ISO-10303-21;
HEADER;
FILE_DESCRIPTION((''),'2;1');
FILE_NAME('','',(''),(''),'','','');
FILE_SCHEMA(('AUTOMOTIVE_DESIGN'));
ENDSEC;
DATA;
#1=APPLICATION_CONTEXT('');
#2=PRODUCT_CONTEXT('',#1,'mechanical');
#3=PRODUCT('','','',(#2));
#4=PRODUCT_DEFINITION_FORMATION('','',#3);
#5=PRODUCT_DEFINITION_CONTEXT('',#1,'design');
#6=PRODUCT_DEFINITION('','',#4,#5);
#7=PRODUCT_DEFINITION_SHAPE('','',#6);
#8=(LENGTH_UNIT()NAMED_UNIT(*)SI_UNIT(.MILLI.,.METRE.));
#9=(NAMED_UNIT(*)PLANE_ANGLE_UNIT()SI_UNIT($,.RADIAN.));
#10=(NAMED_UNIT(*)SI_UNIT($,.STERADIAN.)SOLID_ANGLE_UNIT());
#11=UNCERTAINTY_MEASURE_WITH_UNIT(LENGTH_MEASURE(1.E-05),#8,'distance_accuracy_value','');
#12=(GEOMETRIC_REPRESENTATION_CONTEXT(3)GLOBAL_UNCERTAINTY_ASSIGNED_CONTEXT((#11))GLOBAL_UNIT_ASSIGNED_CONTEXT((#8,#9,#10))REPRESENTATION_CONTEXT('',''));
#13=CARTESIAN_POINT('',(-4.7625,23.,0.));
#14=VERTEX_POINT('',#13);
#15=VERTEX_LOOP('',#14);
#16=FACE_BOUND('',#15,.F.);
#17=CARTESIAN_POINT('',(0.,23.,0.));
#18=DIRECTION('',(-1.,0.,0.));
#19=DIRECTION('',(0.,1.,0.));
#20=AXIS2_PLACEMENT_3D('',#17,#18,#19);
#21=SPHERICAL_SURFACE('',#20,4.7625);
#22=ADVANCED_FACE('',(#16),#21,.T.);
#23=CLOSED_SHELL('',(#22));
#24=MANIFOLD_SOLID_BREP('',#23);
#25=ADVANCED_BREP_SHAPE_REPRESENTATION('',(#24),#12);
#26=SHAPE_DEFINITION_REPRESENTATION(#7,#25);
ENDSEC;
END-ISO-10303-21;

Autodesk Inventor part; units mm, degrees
sketch "Sketch_1" plane through (0, 0, 0) normal (0, 0, 1) x (1, 0, 0)
  line L0 (4.7625, 23) -> (-4.7625, 23)
  arc A0 (4.7625, 23) -> (-4.7625, 23) centre (0, 23) ccw
  line L1 (4.7625, 23) -> (-4.7625, 23)
revolve "Revolution1" add sketch "Sketch_1" angle 360 about axis through (4.7625, 23, 0) along (1, 0, 0)
ref_plane "ball_XY" through (0, 23, 0) normal (1, 0, 0) x (0, 0, -1)
ref_plane "ball_YZ" through (0, 23, 0) normal (0, 0, -1) x (0, 1, 0)
ref_plane "ball_ZX" through (0, 23, 0) normal (0, 1, 0) x (1, 0, 0)
properties part number "30-62-38.1-18-ybrg1-61-9.525-46"
